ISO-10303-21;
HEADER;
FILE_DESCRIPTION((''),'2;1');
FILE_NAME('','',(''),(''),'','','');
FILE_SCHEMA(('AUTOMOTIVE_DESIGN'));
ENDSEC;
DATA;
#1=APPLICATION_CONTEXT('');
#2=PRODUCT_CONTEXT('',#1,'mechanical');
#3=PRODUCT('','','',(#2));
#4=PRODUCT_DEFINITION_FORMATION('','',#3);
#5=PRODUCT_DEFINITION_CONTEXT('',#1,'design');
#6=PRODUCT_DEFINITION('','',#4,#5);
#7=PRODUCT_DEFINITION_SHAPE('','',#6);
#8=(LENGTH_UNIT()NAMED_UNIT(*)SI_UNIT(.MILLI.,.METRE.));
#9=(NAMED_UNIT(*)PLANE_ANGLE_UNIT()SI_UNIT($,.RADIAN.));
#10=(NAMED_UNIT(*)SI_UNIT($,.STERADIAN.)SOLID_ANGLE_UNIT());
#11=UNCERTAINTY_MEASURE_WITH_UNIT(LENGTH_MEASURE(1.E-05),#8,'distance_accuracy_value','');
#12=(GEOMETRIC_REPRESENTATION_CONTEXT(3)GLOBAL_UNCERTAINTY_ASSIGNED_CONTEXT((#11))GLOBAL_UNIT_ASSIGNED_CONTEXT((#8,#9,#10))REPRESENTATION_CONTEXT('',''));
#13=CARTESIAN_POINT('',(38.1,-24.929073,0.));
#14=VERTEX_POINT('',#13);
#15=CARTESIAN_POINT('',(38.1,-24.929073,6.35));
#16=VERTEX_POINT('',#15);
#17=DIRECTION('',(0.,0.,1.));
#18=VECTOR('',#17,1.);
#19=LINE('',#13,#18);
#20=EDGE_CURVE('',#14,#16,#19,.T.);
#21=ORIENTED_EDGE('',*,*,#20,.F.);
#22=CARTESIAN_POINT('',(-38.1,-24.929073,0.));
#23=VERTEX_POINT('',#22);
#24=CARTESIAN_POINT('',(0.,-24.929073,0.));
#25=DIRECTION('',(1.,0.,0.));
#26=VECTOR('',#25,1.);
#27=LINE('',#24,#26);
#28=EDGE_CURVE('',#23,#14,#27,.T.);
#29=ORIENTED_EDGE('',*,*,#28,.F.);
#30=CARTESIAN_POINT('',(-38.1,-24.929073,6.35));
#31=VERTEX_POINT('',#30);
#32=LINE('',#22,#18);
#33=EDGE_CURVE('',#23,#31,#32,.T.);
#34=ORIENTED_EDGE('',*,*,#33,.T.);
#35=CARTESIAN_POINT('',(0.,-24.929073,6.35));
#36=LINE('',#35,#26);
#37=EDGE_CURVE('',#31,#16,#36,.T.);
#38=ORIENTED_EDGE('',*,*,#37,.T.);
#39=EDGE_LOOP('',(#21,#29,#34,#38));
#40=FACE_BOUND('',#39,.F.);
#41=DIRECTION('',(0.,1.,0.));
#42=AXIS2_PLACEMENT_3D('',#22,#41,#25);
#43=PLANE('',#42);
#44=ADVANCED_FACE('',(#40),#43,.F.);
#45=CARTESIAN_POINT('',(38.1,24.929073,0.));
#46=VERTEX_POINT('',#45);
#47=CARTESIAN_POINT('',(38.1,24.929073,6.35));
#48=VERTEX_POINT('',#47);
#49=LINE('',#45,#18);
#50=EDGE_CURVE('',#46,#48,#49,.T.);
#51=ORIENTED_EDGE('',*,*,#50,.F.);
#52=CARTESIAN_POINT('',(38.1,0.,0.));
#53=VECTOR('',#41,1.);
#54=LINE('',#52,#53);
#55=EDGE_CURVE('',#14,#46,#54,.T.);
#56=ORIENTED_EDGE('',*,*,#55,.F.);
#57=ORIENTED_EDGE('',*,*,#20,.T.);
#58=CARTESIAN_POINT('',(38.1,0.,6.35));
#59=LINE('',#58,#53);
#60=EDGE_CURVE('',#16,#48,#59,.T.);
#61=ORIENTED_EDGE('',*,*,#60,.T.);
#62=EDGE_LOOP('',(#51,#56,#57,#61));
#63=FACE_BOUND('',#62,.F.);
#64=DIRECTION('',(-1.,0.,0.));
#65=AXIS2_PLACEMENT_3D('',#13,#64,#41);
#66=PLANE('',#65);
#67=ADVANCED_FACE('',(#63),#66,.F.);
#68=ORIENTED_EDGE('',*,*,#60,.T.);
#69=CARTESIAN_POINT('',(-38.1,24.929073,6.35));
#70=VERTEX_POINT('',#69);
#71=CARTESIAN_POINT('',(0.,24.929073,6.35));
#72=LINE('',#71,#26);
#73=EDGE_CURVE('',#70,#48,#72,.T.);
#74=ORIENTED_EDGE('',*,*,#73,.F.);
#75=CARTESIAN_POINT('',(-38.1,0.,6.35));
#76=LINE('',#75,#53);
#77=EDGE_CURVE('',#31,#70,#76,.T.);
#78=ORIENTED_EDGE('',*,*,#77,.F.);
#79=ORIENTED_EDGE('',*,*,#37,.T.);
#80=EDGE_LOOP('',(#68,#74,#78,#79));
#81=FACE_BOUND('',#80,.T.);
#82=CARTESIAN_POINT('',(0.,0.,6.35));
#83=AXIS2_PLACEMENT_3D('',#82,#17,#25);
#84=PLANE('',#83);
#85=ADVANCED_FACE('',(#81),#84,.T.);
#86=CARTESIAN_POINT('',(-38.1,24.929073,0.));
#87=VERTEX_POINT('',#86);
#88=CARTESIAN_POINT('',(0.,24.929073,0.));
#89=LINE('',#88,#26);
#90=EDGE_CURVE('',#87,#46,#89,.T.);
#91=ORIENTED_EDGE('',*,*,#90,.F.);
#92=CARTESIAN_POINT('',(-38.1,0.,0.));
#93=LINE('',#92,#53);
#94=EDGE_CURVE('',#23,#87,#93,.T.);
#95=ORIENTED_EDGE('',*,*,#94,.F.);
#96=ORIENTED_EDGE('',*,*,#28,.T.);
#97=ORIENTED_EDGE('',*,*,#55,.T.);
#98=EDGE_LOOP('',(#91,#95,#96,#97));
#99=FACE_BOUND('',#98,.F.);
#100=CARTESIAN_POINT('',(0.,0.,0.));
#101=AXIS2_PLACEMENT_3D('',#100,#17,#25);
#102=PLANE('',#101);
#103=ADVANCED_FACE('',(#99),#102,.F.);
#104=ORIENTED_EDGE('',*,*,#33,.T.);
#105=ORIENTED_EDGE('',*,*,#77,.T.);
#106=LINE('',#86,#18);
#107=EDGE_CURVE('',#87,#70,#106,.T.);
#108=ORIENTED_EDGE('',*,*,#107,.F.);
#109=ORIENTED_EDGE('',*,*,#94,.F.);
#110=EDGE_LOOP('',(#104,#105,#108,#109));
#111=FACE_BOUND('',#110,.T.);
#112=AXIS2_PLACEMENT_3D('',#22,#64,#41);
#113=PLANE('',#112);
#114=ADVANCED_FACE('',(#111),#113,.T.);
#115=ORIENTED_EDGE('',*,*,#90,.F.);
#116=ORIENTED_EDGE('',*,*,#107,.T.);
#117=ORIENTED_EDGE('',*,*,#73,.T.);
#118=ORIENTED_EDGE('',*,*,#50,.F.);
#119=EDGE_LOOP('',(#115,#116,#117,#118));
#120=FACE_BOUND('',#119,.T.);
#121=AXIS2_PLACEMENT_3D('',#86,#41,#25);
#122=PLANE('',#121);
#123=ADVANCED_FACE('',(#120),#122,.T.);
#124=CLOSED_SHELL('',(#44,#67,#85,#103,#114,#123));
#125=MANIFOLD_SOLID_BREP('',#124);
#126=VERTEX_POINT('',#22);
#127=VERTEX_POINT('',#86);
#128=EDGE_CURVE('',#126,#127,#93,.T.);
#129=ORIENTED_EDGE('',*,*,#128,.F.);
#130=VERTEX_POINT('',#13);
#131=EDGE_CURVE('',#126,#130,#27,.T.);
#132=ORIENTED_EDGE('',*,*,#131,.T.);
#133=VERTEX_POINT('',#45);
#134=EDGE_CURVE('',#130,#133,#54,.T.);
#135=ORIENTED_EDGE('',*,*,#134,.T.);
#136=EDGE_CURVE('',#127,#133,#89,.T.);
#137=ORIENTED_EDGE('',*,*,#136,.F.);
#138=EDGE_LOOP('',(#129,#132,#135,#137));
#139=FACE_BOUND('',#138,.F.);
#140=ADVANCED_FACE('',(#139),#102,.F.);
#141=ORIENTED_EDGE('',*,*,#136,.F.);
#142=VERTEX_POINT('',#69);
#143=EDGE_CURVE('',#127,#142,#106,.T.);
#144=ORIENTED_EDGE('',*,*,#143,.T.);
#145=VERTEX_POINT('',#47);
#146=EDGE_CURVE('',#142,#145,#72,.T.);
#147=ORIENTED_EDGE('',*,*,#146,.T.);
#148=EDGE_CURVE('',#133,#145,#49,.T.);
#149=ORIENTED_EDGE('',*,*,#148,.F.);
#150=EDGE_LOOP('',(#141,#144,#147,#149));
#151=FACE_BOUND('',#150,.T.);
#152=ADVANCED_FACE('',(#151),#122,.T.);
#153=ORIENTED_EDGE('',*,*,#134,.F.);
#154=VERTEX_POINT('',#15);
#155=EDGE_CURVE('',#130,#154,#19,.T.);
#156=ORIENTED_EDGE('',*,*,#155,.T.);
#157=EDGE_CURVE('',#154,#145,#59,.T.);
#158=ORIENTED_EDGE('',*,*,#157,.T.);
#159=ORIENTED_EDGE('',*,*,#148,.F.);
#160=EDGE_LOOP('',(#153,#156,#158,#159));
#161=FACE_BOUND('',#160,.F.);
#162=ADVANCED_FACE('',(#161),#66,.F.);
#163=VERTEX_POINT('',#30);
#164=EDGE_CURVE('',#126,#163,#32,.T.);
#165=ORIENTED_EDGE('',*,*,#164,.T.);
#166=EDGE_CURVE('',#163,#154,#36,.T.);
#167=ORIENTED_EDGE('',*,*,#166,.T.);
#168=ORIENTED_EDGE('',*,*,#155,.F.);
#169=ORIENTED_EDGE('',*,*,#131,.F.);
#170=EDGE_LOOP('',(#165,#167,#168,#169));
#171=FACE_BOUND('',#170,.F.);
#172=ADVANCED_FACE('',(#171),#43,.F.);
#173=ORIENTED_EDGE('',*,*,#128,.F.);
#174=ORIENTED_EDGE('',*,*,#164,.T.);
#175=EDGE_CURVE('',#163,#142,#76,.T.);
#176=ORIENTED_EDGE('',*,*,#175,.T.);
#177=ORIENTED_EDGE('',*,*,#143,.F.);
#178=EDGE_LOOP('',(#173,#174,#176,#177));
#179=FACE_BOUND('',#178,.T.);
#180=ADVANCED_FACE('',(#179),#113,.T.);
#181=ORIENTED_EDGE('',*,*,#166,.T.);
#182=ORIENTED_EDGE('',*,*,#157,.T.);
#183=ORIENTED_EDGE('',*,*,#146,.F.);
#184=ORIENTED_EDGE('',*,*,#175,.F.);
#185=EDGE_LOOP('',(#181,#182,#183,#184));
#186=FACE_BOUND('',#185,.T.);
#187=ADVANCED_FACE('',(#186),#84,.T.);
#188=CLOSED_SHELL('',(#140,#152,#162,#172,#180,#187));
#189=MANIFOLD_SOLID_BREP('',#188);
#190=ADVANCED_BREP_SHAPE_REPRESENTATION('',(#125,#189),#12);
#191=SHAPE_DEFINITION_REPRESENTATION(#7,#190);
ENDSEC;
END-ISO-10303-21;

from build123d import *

# Parameters (mm, degrees)
F1_W     = 76.2
F1_H     = 49.8581454981
F2_DEPTH = 6.35
F0_W     = 76.2
F0_H     = 49.8581454981


with BuildPart() as f2:
    # F1 (on face) → F2 (new body)
    with BuildSketch(Plane.XY):
        Rectangle(F1_W, F1_H)
    extrude(amount=F2_DEPTH)


with BuildPart() as f2b:
    # F0 (on Top) → F2, piece 2 (new body)
    with BuildSketch(Plane.XY):
        Rectangle(F0_W, F0_H)
    extrude(amount=F2_DEPTH)


solid = Compound([f2.part, f2b.part])
